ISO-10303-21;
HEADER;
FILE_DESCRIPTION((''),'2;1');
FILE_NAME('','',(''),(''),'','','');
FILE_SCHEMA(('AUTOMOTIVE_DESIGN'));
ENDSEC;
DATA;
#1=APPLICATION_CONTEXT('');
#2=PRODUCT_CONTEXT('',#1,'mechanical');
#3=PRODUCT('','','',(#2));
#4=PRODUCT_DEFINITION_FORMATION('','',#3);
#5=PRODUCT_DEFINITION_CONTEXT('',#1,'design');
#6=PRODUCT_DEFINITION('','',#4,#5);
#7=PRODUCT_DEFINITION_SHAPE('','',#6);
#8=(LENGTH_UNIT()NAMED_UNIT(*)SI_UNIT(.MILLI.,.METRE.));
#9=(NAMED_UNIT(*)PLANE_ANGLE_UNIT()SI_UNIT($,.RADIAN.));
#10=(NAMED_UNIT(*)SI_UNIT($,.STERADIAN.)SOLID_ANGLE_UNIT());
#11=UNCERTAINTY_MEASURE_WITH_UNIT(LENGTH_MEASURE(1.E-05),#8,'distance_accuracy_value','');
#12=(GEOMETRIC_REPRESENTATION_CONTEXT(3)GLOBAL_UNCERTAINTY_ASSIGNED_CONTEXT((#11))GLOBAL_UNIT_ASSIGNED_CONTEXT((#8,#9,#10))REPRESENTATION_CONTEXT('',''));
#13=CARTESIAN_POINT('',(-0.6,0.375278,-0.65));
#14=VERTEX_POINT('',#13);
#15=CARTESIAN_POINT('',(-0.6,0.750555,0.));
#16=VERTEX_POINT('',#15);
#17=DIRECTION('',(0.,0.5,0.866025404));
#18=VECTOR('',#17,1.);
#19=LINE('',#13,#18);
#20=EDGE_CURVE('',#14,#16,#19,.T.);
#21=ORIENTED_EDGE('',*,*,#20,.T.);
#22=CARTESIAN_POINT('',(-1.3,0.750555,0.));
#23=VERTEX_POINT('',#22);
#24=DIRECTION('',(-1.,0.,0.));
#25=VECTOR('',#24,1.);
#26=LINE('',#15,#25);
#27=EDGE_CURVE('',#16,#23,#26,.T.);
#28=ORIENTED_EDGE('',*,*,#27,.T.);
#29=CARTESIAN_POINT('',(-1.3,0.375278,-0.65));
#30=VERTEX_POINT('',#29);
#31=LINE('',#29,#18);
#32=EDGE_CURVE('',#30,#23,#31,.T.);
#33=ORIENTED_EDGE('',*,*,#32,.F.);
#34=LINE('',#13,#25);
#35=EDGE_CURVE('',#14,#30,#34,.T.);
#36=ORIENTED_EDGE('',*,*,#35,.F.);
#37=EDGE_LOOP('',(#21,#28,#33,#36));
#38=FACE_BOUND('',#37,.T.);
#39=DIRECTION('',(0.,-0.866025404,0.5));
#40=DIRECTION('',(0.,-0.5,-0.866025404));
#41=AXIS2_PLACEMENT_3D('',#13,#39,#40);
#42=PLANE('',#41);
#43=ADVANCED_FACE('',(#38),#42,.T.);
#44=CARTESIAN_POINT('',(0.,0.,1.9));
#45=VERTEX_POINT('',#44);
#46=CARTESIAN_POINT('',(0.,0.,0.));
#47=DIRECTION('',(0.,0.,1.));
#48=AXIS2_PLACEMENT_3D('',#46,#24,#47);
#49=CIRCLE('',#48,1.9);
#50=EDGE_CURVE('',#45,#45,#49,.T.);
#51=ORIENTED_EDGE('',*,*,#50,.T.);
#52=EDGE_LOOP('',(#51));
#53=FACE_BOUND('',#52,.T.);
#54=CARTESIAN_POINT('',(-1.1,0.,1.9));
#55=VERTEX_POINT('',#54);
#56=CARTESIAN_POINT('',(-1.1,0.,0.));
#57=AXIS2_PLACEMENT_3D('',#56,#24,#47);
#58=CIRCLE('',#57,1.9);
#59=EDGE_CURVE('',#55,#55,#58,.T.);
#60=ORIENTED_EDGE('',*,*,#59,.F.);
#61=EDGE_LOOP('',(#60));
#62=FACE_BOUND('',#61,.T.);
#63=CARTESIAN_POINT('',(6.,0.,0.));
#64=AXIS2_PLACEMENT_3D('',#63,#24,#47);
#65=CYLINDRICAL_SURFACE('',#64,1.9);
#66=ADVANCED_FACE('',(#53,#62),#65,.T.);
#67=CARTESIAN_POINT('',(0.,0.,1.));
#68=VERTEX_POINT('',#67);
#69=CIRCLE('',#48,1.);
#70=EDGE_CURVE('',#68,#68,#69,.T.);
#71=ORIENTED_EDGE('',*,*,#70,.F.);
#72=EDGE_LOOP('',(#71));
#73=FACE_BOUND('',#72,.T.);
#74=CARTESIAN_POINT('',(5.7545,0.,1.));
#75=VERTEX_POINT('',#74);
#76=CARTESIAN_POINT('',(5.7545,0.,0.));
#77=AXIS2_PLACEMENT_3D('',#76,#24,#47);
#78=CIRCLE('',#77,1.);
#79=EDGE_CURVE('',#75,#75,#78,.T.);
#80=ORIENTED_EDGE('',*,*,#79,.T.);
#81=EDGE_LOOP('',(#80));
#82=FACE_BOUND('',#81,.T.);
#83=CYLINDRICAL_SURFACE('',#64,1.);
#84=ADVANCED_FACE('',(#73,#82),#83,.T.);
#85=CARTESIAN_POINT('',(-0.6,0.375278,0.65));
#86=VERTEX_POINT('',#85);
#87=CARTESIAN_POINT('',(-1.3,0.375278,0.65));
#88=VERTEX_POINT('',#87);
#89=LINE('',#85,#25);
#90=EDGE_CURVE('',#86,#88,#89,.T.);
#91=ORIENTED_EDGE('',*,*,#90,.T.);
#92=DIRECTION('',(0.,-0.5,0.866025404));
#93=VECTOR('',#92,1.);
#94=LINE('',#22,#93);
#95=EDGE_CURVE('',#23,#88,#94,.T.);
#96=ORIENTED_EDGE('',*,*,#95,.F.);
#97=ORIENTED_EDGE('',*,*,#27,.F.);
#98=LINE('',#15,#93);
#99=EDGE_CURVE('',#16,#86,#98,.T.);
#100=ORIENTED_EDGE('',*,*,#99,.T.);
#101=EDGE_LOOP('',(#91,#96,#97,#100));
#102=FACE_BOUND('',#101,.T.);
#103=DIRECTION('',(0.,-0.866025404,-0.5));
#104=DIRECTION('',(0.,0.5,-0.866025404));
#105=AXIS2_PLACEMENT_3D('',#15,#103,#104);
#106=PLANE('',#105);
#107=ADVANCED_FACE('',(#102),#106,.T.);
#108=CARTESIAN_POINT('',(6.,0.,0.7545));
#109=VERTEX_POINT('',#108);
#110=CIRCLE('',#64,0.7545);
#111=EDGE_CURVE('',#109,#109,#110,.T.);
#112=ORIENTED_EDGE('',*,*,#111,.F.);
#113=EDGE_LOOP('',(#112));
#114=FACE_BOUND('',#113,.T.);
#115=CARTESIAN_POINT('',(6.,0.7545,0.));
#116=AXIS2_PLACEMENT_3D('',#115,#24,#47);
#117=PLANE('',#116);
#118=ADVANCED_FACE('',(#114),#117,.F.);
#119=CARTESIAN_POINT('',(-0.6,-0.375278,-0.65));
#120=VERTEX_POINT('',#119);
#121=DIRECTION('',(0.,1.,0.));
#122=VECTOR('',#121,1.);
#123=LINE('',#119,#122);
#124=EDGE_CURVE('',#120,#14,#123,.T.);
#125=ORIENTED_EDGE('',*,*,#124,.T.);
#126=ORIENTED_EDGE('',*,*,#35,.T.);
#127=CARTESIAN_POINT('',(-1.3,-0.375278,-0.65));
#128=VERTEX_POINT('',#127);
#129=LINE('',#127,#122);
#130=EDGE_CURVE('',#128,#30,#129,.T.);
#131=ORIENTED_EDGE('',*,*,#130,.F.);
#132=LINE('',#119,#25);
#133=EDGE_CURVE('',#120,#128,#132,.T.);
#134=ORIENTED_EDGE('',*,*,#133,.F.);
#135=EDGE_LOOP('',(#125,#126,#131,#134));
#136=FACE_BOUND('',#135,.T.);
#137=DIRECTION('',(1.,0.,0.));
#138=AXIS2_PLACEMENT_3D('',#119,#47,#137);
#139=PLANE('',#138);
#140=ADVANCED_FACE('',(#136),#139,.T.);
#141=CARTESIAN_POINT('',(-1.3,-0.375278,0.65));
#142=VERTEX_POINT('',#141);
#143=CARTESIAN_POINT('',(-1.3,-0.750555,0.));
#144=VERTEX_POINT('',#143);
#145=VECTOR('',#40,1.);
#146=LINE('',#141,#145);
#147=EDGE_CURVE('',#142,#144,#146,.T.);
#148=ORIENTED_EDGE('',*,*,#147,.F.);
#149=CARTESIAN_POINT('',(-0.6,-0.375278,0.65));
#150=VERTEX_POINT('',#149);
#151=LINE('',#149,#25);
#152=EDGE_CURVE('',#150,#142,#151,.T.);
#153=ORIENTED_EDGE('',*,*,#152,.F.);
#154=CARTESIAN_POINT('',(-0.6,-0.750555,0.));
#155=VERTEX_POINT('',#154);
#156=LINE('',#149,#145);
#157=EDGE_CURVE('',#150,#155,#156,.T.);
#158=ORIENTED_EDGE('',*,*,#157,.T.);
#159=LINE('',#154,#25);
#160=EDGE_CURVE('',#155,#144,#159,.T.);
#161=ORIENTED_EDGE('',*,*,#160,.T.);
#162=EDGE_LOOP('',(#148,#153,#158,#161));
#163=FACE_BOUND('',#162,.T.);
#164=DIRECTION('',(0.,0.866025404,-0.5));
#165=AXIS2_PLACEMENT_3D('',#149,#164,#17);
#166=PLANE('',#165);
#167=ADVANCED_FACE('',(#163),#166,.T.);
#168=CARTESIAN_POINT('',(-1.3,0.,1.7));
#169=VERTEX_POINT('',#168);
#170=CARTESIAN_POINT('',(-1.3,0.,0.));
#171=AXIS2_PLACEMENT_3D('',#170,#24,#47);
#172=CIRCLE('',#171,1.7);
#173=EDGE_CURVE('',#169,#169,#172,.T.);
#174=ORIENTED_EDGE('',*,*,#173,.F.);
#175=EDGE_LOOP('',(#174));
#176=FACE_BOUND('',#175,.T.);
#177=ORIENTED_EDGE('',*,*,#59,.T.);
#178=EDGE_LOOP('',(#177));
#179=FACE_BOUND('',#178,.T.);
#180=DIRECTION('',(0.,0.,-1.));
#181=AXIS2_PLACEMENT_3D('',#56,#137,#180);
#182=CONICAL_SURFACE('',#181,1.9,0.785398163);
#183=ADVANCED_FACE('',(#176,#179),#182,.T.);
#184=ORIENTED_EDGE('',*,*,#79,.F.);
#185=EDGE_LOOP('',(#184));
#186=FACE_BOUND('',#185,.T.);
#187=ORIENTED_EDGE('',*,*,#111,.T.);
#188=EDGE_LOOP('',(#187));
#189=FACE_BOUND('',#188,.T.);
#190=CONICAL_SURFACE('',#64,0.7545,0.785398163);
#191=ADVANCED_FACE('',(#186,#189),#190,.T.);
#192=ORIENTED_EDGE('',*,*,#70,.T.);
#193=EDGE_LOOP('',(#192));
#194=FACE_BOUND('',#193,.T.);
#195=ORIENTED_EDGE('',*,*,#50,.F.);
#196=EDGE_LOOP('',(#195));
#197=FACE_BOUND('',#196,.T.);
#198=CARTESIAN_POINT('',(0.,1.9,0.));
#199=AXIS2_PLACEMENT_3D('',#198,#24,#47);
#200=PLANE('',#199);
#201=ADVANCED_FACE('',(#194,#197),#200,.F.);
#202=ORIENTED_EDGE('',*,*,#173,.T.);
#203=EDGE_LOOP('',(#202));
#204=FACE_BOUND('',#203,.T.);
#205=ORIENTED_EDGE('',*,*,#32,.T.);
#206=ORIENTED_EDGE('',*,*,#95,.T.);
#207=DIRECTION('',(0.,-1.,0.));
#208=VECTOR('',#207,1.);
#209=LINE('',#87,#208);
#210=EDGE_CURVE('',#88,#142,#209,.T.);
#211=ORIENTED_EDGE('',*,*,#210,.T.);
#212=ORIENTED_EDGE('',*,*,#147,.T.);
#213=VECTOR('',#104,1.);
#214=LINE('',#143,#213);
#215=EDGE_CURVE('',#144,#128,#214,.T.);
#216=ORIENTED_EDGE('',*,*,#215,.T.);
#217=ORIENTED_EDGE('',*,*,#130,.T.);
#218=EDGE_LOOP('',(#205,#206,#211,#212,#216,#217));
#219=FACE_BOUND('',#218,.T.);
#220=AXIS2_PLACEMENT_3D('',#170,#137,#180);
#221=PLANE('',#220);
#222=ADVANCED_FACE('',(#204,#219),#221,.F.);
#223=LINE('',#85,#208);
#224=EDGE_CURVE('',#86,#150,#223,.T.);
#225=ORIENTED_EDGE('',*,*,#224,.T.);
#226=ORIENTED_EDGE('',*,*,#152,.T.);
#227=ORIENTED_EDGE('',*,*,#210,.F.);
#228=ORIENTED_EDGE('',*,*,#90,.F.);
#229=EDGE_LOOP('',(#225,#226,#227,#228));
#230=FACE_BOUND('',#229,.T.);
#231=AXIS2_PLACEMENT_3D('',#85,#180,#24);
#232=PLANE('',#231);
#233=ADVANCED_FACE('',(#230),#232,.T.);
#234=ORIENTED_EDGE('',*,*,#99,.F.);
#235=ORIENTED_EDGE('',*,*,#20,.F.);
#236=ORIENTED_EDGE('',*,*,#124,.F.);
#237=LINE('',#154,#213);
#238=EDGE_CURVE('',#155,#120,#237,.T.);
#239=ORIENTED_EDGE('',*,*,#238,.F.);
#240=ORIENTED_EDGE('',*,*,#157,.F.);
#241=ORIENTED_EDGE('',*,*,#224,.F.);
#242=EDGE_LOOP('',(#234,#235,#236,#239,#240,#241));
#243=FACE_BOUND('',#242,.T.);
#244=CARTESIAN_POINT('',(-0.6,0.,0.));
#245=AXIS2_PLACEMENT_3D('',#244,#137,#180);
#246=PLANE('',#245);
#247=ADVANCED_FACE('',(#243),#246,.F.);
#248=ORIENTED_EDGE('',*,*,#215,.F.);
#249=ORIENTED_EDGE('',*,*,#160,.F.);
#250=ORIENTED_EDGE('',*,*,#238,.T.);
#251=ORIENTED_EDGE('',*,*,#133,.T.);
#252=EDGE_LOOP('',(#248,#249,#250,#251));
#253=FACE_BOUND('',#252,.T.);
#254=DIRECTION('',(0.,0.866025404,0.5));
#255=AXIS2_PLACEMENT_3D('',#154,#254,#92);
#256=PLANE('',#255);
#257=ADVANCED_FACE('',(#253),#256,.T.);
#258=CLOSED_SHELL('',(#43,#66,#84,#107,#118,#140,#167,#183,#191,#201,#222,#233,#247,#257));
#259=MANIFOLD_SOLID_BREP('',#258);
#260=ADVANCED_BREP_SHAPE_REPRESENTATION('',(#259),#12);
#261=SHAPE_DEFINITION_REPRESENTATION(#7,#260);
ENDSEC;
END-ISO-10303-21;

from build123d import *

# Parameters (mm, degrees)
CUT_EXTRUDE1_DEPTH = 0.7


with BuildPart() as part:
    # Sketch1 → Revolve1 (revolve)
    with BuildSketch(Plane.XY):
        Polygon((-1.3, 0), (-1.3, 1.7), (-1.1, 1.9), (0, 1.9), (0, 1), (5.7545, 1), (6, 0.7545), (6, 0), align=None)
    revolve(axis=Axis((6, 0, 0), (-1, 0, 0)))

    # Sketch2 → Cut-Extrude1 (cut)
    with BuildSketch(Plane(origin=(-1.3, 0, 0), x_dir=(0, 0, -1), z_dir=(1, 0, 0))):
        Polygon((-0.65, -0.375277675), (0, -0.75055535), (0.65, -0.375277675), (0.65, 0.375277675), (0, 0.75055535), (-0.65, 0.375277675), align=None)
    extrude(amount=CUT_EXTRUDE1_DEPTH, mode=Mode.SUBTRACT)


solid = part.part
